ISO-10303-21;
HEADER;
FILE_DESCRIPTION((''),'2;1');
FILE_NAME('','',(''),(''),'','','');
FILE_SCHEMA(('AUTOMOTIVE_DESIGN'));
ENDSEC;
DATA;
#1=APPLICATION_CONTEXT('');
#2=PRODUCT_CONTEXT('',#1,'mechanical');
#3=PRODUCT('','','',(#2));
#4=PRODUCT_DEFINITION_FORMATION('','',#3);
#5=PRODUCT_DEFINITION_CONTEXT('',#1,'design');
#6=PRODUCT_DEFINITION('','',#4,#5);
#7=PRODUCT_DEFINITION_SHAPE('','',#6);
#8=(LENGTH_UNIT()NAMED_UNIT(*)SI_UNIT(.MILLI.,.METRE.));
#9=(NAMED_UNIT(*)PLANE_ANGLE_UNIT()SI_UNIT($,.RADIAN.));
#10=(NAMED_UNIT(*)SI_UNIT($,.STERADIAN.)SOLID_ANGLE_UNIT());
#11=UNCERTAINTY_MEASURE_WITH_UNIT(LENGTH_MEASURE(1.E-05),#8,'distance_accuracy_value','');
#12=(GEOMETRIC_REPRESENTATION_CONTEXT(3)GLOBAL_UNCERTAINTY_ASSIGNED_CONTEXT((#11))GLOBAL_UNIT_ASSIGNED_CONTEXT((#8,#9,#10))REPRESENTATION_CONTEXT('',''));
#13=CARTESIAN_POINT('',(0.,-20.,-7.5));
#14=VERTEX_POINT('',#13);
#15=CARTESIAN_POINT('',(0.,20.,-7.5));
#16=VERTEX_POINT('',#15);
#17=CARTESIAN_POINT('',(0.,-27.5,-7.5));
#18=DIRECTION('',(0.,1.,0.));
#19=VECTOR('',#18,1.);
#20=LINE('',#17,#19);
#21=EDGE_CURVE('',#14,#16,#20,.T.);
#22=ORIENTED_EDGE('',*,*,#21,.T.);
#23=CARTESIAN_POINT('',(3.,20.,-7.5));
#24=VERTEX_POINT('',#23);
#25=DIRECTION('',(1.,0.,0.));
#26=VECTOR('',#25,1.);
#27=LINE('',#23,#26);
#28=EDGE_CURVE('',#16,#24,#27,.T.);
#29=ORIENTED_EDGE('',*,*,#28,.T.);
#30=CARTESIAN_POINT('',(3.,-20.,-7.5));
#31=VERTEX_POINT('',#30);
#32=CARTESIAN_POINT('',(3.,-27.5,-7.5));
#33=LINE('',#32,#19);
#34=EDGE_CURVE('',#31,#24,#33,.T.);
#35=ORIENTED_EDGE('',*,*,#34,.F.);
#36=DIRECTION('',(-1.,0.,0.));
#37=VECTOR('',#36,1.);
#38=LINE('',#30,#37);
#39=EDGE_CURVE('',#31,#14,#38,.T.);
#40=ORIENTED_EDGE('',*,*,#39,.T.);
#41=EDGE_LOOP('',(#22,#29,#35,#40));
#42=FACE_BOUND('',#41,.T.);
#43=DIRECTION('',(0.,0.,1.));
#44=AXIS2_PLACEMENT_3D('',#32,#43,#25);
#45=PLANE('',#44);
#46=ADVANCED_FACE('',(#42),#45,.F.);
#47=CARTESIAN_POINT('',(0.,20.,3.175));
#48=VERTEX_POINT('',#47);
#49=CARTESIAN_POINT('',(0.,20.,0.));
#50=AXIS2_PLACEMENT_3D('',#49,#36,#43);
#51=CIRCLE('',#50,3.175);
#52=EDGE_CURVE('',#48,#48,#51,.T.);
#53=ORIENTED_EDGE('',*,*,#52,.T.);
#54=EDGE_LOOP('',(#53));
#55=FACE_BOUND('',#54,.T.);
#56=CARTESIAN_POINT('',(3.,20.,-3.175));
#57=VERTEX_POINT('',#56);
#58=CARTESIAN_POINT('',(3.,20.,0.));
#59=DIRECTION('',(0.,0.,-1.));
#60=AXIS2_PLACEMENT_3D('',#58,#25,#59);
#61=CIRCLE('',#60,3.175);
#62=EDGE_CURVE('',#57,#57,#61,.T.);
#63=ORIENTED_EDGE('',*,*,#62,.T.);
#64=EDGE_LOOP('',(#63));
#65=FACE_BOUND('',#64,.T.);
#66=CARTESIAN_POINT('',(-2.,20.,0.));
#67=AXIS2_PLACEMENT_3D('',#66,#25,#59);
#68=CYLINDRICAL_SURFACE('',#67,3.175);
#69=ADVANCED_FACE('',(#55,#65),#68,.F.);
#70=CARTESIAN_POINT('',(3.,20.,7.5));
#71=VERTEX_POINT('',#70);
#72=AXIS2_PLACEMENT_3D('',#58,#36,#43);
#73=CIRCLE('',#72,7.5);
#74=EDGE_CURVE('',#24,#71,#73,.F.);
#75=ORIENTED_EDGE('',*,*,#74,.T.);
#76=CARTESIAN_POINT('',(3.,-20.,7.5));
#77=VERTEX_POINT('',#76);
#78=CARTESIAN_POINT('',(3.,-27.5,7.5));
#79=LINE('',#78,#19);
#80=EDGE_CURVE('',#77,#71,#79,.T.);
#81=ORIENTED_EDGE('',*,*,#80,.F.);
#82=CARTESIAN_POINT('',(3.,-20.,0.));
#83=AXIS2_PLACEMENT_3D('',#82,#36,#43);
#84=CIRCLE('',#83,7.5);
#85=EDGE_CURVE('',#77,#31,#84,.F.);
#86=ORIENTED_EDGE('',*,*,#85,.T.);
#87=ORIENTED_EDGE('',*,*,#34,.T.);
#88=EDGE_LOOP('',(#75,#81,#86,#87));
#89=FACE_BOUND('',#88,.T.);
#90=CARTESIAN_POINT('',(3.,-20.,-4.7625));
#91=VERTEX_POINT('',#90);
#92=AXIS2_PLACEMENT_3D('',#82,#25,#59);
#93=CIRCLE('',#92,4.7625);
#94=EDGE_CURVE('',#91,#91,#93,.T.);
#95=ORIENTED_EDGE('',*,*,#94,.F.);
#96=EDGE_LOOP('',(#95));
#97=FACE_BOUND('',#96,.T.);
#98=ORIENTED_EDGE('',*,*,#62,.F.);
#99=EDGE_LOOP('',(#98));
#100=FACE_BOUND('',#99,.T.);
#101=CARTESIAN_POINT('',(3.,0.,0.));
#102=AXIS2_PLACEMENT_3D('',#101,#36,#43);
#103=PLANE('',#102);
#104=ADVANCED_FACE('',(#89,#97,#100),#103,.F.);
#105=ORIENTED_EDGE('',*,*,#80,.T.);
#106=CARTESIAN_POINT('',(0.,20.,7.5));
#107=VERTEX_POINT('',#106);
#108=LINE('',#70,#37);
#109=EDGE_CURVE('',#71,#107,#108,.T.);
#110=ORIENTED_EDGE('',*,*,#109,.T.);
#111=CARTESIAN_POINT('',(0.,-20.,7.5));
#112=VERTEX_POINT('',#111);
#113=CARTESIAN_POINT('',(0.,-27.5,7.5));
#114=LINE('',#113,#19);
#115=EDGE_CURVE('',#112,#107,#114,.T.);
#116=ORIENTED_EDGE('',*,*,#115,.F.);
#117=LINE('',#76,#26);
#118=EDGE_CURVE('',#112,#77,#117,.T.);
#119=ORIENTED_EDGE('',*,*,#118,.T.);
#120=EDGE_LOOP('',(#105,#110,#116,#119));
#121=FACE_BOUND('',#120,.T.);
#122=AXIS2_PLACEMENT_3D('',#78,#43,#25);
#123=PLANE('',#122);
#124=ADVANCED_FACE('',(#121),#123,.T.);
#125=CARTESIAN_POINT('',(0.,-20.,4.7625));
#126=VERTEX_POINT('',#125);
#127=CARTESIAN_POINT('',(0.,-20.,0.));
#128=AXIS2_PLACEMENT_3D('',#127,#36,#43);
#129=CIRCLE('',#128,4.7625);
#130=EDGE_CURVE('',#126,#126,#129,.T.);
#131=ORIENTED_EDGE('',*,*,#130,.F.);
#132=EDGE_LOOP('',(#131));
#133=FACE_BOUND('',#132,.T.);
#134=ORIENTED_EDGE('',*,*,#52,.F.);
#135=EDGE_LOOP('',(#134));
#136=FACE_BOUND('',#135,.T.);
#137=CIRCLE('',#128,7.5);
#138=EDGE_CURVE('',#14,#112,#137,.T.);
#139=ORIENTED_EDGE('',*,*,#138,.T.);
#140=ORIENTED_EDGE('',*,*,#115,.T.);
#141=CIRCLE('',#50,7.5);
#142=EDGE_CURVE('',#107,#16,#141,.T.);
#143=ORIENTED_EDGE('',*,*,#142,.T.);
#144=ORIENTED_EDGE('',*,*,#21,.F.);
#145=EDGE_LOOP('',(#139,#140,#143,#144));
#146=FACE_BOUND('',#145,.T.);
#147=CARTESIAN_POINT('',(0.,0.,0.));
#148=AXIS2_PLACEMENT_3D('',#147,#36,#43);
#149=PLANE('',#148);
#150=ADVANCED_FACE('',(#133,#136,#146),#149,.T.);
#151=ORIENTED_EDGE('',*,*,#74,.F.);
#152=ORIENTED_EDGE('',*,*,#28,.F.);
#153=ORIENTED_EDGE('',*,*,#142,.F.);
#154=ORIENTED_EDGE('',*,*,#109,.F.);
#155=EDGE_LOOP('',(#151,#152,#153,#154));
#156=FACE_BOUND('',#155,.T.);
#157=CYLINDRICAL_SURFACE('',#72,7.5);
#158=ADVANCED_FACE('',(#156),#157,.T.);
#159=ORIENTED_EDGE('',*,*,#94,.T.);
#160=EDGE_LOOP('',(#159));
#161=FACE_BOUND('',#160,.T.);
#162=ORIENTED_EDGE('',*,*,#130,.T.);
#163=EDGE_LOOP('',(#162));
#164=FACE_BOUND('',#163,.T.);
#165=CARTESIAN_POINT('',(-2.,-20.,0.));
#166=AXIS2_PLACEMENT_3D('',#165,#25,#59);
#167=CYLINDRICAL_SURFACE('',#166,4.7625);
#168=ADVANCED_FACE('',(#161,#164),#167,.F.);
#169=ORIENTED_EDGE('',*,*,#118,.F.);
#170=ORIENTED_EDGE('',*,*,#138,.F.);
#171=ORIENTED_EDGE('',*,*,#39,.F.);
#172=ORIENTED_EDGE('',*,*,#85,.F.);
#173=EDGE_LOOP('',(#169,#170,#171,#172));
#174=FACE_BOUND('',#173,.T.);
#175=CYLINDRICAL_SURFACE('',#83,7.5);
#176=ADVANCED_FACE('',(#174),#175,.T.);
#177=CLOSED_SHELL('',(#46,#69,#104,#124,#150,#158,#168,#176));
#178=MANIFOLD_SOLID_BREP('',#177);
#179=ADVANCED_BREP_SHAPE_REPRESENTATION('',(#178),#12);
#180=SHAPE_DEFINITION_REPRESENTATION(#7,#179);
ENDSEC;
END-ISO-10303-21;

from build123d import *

# Parameters (mm, degrees)
SKETCH3_W           = 15
SKETCH3_H           = 55
BOSS_EXTRUDE1_DEPTH = 3
SKETCH4_R           = 3.175
SKETCH4_R_2         = 4.7625
CUT_EXTRUDE1_DEPTH  = 5
FILLET3_RADIUS      = 7.5
FILLET3_LENGTH      = 3
FILLET4_RADIUS      = 7.5
FILLET4_LENGTH      = 3


with BuildPart() as part:
    # Sketch3 → Boss-Extrude1 (new body)
    with BuildSketch(Plane(origin=(0, 0, 0), x_dir=(0, 0, -1), z_dir=(1, 0, 0))):
        Rectangle(SKETCH3_W, SKETCH3_H)
    extrude(amount=BOSS_EXTRUDE1_DEPTH)

    # Sketch4 → Cut-Extrude1 (cut)
    with BuildSketch(Plane(origin=(3, 0, 0), x_dir=(0, 0, -1), z_dir=(1, 0, 0))):
        with Locations((0, 20)):
            Circle(SKETCH4_R)
        with Locations((0, -20)):
            Circle(SKETCH4_R_2)
    extrude(amount=-CUT_EXTRUDE1_DEPTH, mode=Mode.SUBTRACT)

    # Fillet3: full round fillet: the end face becomes a half cylinder, R = half its width
    fillet3_face = Plane((1.5, 27.5, 0), x_dir=(-1, 0, 0), z_dir=(0, 1, 0))  # on the end face: x along it, z out of the body
    fillet3_slab = fillet3_face.offset(-FILLET3_RADIUS / 2) * Box(FILLET3_LENGTH, 2 * FILLET3_RADIUS, FILLET3_RADIUS, mode=Mode.PRIVATE)  # the body's end, R deep
    fillet3_round = Plane((1.5, 20, 0), x_dir=(0, 1, 0), z_dir=(-1, 0, 0)) * Cylinder(FILLET3_RADIUS, FILLET3_LENGTH, mode=Mode.PRIVATE)  # its axis R under the face
    add(fillet3_slab - fillet3_round, mode=Mode.SUBTRACT)

    # Fillet4: full round fillet: the end face becomes a half cylinder, R = half its width
    fillet4_face = Plane((1.5, -27.5, 0), x_dir=(-1, 0, 0), z_dir=(0, -1, 0))  # on the end face: x along it, z out of the body
    fillet4_slab = fillet4_face.offset(-FILLET4_RADIUS / 2) * Box(FILLET4_LENGTH, 2 * FILLET4_RADIUS, FILLET4_RADIUS, mode=Mode.PRIVATE)  # the body's end, R deep
    fillet4_round = Plane((1.5, -20, 0), x_dir=(0, -1, 0), z_dir=(-1, 0, 0)) * Cylinder(FILLET4_RADIUS, FILLET4_LENGTH, mode=Mode.PRIVATE)  # its axis R under the face
    add(fillet4_slab - fillet4_round, mode=Mode.SUBTRACT)


solid = part.part
